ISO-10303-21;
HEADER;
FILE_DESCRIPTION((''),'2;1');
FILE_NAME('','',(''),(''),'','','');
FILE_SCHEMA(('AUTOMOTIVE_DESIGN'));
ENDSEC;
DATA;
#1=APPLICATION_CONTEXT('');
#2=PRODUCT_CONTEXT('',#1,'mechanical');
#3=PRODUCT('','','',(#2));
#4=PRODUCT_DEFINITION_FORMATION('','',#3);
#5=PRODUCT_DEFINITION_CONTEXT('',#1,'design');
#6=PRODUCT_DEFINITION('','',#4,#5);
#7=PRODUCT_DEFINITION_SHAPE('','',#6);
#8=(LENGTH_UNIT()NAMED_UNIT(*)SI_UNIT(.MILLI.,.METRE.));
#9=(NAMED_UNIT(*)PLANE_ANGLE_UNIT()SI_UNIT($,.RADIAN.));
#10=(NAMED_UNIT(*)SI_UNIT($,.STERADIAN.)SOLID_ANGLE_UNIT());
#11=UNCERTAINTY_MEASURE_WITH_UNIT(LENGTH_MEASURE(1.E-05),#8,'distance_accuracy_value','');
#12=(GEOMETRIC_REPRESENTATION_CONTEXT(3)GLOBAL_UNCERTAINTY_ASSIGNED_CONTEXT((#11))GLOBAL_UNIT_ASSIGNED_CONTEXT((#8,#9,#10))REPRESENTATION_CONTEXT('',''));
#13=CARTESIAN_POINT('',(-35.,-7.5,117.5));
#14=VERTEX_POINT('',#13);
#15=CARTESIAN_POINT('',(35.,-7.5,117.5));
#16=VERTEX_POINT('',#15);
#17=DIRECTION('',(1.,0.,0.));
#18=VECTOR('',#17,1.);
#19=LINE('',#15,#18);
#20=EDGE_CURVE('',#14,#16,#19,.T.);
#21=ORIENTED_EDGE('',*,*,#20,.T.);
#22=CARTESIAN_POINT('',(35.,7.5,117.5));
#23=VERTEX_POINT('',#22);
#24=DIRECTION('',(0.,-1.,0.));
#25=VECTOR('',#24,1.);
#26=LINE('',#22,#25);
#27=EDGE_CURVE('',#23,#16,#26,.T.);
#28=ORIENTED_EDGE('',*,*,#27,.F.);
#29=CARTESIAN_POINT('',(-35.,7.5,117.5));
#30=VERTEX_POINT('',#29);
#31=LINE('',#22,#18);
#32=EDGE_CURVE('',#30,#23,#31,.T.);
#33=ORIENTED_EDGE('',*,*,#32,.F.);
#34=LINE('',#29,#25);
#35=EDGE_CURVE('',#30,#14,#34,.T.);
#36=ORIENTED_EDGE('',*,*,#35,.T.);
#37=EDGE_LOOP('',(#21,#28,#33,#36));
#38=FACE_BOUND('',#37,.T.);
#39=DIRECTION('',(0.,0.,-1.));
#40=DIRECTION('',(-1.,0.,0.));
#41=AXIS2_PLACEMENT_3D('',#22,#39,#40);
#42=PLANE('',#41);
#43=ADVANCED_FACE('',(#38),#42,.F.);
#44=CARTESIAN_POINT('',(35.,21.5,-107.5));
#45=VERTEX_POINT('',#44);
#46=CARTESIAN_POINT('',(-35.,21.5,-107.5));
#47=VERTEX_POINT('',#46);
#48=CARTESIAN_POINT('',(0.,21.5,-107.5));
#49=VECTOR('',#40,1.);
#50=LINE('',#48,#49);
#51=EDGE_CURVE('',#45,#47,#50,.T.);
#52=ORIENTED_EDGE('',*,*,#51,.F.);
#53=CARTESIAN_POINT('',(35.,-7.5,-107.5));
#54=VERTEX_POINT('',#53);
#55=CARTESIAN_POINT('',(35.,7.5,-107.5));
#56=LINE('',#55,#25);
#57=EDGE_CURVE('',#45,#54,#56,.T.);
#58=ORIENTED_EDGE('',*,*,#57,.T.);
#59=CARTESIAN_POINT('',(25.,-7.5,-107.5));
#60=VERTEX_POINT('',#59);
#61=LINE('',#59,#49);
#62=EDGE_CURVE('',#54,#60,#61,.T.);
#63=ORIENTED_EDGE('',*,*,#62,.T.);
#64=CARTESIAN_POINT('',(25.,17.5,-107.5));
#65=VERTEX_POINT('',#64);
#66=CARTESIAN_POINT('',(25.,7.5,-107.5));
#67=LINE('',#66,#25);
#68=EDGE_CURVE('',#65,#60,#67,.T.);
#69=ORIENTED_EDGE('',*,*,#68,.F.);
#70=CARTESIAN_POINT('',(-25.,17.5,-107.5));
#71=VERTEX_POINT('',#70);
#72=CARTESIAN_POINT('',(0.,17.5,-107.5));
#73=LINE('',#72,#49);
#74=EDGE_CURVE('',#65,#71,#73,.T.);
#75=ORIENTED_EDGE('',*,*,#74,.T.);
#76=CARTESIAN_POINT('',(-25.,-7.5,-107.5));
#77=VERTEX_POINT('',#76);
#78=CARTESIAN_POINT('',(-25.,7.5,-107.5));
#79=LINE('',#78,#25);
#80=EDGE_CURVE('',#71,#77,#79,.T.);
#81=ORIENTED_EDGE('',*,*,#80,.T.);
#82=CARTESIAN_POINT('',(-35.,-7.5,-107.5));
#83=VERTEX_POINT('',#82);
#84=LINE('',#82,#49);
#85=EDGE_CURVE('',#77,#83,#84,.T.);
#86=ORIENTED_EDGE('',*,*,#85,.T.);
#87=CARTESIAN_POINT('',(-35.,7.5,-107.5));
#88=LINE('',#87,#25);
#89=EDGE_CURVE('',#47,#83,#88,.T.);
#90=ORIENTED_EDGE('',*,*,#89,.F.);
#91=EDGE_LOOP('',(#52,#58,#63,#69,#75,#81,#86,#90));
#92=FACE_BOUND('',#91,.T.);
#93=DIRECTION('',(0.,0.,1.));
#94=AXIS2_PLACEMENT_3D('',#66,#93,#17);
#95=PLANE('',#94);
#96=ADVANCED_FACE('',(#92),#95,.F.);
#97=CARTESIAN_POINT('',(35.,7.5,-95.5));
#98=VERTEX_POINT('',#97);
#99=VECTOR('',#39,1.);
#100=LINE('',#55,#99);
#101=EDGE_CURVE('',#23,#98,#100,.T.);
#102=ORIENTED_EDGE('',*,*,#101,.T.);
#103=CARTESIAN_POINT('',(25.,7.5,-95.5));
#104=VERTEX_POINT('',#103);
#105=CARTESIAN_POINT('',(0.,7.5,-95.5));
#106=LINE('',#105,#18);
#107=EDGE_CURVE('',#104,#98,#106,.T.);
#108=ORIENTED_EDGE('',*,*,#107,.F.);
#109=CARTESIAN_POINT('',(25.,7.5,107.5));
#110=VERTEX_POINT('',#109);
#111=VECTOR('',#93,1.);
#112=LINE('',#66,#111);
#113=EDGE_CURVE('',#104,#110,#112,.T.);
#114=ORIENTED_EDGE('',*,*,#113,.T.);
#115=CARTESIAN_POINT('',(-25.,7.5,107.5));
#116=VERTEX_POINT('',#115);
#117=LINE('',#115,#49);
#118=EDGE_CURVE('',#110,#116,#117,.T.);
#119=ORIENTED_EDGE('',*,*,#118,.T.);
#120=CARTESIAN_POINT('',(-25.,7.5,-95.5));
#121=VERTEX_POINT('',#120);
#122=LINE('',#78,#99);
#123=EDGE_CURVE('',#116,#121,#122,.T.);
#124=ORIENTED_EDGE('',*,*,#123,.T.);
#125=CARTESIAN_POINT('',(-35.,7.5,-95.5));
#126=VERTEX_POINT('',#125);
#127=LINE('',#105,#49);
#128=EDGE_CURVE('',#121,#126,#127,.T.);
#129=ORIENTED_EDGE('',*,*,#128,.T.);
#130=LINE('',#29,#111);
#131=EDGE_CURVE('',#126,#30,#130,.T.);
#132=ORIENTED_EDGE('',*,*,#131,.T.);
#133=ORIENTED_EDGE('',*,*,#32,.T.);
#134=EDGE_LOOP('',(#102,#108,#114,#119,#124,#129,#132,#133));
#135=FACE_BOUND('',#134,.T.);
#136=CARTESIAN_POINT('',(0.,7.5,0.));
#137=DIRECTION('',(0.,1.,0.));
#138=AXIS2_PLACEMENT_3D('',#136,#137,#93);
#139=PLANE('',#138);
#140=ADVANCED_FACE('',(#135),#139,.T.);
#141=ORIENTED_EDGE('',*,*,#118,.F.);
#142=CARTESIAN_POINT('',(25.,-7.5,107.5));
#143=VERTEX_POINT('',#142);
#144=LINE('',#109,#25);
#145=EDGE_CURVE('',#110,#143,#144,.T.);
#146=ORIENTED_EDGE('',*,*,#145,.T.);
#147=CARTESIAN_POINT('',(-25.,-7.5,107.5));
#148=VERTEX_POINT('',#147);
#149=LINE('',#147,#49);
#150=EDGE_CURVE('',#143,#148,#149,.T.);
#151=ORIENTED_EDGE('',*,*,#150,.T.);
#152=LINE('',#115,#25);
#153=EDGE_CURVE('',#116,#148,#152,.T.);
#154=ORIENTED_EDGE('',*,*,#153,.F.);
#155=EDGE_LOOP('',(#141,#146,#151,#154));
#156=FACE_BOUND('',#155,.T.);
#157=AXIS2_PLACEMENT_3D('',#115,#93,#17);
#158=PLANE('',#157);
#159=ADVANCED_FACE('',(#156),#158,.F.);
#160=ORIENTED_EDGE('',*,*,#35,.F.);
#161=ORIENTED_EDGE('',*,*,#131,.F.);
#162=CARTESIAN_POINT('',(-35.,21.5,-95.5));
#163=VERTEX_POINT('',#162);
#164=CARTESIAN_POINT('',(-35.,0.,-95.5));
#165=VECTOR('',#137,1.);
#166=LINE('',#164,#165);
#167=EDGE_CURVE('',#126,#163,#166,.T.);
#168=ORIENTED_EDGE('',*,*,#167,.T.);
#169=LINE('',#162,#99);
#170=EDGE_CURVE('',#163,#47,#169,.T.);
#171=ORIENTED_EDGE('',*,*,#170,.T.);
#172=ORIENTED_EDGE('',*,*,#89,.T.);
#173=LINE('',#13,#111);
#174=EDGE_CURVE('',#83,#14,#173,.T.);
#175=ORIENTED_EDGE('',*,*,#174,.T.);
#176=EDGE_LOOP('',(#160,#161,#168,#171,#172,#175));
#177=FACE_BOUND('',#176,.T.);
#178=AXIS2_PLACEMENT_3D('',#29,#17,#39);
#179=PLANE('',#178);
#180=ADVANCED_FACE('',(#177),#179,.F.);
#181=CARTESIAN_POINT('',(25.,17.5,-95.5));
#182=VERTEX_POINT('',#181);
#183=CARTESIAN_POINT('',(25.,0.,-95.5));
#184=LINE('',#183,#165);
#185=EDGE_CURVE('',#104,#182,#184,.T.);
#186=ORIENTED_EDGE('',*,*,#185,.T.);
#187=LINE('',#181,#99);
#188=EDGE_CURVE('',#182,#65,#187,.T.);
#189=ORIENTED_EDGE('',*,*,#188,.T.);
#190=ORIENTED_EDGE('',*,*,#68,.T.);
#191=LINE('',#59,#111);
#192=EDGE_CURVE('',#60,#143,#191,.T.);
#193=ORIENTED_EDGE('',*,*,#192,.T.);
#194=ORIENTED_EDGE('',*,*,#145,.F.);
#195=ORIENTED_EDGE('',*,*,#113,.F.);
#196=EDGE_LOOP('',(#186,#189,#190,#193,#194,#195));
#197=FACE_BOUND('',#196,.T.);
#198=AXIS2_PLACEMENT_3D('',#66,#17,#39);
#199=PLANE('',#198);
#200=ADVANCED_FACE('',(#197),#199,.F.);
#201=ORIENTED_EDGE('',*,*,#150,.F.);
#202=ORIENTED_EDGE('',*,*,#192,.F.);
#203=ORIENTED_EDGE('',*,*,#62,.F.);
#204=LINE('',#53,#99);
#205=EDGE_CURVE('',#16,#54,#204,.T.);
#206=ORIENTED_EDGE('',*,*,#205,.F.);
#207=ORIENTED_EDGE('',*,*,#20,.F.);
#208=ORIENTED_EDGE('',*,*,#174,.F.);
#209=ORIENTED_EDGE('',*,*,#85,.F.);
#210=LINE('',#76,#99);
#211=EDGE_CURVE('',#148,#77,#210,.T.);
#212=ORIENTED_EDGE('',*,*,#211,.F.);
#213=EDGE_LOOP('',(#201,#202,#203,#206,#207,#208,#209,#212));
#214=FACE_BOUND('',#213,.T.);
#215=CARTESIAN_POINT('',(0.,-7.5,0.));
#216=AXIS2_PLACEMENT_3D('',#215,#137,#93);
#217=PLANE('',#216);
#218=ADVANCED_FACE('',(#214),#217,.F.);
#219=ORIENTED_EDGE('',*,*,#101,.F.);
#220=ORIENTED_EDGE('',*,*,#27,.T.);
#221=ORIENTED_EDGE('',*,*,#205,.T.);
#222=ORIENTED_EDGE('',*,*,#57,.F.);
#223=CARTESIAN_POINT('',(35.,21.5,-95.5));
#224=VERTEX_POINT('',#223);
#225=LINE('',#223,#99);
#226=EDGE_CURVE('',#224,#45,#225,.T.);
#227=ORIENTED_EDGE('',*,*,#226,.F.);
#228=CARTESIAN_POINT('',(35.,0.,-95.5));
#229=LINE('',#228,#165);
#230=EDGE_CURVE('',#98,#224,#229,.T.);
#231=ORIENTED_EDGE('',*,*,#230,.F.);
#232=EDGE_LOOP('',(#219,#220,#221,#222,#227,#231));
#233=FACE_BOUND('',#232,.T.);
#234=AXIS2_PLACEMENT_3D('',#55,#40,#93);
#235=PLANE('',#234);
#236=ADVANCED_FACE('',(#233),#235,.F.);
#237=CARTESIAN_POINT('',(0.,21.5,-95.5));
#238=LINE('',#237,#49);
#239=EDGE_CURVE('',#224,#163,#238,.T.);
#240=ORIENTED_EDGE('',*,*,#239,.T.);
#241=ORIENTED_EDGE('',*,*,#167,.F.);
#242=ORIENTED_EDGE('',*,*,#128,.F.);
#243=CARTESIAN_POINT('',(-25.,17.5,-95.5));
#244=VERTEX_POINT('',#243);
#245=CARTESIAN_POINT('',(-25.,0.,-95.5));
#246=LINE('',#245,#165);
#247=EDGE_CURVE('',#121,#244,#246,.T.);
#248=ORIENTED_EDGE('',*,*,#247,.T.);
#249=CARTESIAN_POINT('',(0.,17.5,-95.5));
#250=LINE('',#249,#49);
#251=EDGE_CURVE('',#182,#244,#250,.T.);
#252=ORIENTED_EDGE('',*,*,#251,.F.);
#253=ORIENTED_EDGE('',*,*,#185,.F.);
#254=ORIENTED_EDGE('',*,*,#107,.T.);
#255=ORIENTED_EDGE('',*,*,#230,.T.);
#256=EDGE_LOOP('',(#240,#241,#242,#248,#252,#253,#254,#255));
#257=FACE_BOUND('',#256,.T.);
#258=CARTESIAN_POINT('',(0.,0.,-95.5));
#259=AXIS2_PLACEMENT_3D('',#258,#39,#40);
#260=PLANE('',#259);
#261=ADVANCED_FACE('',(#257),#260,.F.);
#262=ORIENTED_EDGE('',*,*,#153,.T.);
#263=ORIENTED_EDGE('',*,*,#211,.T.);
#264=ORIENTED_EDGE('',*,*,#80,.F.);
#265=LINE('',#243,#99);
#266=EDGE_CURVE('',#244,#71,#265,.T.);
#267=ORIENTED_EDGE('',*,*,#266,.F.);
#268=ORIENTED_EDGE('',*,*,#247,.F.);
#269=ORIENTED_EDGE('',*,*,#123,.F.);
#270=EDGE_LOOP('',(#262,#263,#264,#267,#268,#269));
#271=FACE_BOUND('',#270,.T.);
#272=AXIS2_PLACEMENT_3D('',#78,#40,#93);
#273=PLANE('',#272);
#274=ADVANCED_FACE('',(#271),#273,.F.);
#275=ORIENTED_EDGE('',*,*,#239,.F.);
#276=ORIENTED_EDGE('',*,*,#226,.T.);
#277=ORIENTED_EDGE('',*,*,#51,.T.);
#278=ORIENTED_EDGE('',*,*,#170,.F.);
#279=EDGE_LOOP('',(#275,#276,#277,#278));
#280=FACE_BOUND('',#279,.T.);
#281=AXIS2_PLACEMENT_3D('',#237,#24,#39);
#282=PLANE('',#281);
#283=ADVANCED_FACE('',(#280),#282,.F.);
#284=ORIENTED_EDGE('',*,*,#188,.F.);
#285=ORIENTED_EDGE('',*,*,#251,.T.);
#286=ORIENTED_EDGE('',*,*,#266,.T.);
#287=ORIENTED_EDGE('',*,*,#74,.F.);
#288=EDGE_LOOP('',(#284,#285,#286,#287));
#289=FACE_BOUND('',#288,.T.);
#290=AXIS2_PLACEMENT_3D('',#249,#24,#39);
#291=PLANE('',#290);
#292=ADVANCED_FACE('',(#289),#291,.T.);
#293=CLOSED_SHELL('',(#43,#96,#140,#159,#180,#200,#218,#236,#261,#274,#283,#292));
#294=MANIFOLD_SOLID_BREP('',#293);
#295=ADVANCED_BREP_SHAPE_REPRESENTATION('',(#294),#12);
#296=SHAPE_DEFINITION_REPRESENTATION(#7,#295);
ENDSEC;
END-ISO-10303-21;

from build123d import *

# Parameters (mm, degrees)
BOSS_EXTRUDE1_DEPTH = 7.5
SKETCH2_W           = 10
SKETCH2_H           = 10
BOSS_EXTRUDE2_DEPTH = 12


with BuildPart() as part:
    # Sketch1 → Boss-Extrude1 (new, symmetric)
    with BuildSketch(Plane(origin=(0, 0, 0), x_dir=(1, 0, 0), z_dir=(0, 1, 0))):
        Polygon((25, 107.5), (35, 107.5), (35, -117.5), (-35, -117.5), (-35, 107.5), (-25, 107.5), (-25, -107.5), (25, -107.5), align=None)
    extrude(amount=BOSS_EXTRUDE1_DEPTH, both=True)

    # Sketch2 → Boss-Extrude2 (add)
    with BuildSketch(Plane(origin=(0, 0, -107.5), x_dir=(-1, 0, 0), z_dir=(0, 0, -1))):
        with Locations((-30, 12.5)):
            Rectangle(SKETCH2_W, SKETCH2_H)
        Polygon((-35, 21.5), (-35, 17.5), (-25, 17.5), (25, 17.5), (35, 17.5), (35, 21.5), align=None)
        with Locations((30, 12.5)):
            Rectangle(SKETCH2_W, SKETCH2_H)
    extrude(amount=-BOSS_EXTRUDE2_DEPTH)


solid = part.part
